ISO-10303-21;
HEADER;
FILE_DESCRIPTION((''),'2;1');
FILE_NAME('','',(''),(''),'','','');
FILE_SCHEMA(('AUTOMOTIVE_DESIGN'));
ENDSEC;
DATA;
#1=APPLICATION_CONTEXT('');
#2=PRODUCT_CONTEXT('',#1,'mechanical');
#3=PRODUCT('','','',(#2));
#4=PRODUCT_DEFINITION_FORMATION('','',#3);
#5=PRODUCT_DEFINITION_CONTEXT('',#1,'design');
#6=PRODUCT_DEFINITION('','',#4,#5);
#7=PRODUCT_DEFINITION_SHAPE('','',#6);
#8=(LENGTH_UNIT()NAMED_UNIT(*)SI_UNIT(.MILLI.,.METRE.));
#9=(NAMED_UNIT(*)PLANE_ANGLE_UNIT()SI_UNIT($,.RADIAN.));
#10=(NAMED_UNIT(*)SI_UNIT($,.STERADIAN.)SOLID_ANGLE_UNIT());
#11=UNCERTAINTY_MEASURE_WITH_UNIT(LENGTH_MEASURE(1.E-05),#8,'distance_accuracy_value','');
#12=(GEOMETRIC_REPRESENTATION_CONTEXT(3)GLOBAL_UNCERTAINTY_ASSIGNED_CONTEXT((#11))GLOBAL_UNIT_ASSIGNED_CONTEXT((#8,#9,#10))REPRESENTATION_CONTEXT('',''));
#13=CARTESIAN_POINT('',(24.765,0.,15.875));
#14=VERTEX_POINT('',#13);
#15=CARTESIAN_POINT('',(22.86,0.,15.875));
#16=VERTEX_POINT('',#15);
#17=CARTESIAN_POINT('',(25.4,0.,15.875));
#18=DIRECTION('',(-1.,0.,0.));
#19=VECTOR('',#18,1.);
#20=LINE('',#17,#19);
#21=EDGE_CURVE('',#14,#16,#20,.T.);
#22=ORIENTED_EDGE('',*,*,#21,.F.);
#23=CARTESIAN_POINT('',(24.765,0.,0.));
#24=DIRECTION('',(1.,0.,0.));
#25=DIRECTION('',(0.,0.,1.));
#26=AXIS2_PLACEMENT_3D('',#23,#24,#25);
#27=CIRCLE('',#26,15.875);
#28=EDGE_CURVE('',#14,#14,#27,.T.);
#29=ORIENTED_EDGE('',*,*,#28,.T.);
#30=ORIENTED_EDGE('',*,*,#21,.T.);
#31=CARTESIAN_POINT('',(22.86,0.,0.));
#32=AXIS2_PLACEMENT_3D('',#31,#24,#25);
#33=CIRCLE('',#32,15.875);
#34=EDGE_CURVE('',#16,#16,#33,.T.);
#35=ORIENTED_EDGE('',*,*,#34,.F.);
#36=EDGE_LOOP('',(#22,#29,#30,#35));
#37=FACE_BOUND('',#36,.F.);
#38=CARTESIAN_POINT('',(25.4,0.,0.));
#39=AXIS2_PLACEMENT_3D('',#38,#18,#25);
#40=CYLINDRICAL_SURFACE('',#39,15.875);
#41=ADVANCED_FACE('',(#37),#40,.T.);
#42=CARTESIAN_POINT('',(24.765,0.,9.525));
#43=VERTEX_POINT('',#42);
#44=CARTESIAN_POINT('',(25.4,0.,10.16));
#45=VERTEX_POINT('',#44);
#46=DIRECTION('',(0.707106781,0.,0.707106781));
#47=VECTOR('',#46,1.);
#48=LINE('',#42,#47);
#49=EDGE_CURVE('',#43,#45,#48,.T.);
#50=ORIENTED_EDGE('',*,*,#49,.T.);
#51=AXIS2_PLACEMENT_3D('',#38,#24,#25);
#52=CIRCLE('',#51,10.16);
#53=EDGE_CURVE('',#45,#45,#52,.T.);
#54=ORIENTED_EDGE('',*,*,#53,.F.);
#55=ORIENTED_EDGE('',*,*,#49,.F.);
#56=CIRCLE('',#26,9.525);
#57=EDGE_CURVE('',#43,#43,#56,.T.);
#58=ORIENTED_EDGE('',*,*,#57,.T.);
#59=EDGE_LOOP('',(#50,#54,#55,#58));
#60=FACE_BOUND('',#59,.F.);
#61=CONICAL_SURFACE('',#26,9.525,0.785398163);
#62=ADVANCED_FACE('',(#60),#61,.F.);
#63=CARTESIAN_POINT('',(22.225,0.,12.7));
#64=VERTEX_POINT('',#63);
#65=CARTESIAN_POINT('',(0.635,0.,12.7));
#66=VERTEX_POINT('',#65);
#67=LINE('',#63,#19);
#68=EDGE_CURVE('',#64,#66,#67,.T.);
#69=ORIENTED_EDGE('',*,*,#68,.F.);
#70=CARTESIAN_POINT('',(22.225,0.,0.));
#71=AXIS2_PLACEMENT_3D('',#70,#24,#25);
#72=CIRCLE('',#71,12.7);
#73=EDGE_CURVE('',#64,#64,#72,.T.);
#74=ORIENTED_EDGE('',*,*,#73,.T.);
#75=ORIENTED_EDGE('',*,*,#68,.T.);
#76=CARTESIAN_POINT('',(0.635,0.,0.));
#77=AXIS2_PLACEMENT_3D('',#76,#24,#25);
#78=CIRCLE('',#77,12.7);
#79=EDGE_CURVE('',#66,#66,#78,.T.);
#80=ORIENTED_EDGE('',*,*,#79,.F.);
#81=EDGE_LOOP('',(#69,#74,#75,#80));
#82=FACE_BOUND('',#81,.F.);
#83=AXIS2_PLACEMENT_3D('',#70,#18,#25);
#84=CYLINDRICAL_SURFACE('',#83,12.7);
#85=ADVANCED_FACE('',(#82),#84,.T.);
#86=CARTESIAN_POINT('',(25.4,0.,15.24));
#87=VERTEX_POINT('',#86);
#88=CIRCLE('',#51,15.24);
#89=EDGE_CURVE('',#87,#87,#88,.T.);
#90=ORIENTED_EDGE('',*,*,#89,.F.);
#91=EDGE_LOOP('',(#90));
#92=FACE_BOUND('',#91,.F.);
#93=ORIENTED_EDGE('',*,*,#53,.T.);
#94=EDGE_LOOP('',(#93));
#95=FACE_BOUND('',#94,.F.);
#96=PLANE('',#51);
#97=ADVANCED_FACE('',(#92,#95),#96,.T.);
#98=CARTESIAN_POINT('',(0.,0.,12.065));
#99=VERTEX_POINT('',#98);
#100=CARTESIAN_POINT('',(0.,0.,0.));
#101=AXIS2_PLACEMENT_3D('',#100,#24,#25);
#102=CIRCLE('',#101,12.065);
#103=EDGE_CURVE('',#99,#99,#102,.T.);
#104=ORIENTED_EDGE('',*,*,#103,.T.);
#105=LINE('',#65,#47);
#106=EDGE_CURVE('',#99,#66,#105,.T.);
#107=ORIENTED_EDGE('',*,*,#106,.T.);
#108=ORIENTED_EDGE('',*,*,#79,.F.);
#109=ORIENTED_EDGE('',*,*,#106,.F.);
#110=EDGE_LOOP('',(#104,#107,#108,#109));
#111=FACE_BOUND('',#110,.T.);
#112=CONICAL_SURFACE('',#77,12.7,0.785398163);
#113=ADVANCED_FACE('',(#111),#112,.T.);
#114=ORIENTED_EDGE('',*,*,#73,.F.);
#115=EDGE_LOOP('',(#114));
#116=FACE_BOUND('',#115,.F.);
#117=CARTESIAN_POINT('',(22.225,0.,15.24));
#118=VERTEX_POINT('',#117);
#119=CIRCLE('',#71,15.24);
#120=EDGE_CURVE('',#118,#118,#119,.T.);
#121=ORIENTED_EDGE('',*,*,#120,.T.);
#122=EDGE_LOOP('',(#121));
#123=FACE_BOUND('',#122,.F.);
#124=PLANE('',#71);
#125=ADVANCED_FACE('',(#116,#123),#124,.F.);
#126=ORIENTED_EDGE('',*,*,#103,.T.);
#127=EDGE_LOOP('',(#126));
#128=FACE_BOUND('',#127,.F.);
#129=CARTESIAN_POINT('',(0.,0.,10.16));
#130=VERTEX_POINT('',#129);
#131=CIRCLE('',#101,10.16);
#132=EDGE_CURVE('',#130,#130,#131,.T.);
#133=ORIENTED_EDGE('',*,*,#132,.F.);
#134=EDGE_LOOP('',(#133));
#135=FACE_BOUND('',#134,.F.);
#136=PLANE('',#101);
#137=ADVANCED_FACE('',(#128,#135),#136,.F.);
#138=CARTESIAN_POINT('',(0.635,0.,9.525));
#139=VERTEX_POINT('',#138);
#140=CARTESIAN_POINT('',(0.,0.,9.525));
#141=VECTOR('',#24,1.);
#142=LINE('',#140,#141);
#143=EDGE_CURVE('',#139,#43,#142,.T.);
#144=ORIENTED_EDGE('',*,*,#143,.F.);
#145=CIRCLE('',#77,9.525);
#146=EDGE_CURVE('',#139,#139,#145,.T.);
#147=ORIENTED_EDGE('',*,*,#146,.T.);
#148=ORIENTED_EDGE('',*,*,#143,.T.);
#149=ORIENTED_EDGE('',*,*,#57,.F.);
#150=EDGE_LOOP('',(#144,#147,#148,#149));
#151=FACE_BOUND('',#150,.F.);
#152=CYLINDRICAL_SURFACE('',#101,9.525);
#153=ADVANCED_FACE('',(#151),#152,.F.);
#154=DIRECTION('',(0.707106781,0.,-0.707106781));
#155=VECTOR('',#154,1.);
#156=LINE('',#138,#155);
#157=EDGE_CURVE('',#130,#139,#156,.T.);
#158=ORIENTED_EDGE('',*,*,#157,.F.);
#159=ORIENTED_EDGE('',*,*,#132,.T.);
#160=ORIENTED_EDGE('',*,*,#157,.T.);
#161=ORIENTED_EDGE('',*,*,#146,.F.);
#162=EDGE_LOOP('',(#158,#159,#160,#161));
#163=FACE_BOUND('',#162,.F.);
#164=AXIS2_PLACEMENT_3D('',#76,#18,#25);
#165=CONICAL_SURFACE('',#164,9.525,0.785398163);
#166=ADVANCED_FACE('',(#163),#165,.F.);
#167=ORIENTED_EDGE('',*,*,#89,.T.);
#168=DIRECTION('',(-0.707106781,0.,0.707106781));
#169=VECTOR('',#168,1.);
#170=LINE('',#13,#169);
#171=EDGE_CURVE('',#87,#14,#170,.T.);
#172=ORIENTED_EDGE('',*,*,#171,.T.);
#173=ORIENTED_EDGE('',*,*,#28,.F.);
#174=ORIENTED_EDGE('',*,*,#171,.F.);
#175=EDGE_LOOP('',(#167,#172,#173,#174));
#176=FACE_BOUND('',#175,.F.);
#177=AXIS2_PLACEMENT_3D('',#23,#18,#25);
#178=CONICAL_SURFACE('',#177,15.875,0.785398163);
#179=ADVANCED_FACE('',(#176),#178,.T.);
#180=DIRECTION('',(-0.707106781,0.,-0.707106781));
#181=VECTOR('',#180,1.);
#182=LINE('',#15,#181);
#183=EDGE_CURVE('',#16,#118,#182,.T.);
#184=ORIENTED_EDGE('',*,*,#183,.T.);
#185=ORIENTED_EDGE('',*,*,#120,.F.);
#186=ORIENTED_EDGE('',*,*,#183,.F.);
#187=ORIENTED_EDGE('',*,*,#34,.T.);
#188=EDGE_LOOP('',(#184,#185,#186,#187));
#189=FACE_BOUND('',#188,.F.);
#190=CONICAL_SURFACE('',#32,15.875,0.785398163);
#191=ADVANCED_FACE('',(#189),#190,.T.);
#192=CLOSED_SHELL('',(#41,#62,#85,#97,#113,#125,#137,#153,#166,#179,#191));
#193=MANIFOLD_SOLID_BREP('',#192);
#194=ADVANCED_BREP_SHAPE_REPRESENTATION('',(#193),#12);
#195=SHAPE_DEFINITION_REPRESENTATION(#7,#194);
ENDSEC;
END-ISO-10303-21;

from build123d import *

# Parameters (mm, degrees)
F2_SIZE = 0.635


with BuildPart() as f1:
    # F0 (on Front) → F1 (revolve)
    with BuildSketch(Plane.XZ):
        Polygon((0, 12.7), (0, 9.525), (25.4, 9.525), (25.4, 15.875), (22.225, 15.875), (22.225, 12.7), align=None)
    revolve(axis=Axis((10.366244, 0, 0), (1, 0, 0)))

    # F2
    f2_edges = [f1.edges().sort_by_distance(p)[0] for p in [
        (25.4, 0, -15.875),
        (0, 0, -12.7),
        (22.225, 0, -15.875),
        (25.4, 0, -9.525),
        (0, 0, -9.525),
    ]]
    chamfer(f2_edges, length=F2_SIZE)


solid = f1.part
